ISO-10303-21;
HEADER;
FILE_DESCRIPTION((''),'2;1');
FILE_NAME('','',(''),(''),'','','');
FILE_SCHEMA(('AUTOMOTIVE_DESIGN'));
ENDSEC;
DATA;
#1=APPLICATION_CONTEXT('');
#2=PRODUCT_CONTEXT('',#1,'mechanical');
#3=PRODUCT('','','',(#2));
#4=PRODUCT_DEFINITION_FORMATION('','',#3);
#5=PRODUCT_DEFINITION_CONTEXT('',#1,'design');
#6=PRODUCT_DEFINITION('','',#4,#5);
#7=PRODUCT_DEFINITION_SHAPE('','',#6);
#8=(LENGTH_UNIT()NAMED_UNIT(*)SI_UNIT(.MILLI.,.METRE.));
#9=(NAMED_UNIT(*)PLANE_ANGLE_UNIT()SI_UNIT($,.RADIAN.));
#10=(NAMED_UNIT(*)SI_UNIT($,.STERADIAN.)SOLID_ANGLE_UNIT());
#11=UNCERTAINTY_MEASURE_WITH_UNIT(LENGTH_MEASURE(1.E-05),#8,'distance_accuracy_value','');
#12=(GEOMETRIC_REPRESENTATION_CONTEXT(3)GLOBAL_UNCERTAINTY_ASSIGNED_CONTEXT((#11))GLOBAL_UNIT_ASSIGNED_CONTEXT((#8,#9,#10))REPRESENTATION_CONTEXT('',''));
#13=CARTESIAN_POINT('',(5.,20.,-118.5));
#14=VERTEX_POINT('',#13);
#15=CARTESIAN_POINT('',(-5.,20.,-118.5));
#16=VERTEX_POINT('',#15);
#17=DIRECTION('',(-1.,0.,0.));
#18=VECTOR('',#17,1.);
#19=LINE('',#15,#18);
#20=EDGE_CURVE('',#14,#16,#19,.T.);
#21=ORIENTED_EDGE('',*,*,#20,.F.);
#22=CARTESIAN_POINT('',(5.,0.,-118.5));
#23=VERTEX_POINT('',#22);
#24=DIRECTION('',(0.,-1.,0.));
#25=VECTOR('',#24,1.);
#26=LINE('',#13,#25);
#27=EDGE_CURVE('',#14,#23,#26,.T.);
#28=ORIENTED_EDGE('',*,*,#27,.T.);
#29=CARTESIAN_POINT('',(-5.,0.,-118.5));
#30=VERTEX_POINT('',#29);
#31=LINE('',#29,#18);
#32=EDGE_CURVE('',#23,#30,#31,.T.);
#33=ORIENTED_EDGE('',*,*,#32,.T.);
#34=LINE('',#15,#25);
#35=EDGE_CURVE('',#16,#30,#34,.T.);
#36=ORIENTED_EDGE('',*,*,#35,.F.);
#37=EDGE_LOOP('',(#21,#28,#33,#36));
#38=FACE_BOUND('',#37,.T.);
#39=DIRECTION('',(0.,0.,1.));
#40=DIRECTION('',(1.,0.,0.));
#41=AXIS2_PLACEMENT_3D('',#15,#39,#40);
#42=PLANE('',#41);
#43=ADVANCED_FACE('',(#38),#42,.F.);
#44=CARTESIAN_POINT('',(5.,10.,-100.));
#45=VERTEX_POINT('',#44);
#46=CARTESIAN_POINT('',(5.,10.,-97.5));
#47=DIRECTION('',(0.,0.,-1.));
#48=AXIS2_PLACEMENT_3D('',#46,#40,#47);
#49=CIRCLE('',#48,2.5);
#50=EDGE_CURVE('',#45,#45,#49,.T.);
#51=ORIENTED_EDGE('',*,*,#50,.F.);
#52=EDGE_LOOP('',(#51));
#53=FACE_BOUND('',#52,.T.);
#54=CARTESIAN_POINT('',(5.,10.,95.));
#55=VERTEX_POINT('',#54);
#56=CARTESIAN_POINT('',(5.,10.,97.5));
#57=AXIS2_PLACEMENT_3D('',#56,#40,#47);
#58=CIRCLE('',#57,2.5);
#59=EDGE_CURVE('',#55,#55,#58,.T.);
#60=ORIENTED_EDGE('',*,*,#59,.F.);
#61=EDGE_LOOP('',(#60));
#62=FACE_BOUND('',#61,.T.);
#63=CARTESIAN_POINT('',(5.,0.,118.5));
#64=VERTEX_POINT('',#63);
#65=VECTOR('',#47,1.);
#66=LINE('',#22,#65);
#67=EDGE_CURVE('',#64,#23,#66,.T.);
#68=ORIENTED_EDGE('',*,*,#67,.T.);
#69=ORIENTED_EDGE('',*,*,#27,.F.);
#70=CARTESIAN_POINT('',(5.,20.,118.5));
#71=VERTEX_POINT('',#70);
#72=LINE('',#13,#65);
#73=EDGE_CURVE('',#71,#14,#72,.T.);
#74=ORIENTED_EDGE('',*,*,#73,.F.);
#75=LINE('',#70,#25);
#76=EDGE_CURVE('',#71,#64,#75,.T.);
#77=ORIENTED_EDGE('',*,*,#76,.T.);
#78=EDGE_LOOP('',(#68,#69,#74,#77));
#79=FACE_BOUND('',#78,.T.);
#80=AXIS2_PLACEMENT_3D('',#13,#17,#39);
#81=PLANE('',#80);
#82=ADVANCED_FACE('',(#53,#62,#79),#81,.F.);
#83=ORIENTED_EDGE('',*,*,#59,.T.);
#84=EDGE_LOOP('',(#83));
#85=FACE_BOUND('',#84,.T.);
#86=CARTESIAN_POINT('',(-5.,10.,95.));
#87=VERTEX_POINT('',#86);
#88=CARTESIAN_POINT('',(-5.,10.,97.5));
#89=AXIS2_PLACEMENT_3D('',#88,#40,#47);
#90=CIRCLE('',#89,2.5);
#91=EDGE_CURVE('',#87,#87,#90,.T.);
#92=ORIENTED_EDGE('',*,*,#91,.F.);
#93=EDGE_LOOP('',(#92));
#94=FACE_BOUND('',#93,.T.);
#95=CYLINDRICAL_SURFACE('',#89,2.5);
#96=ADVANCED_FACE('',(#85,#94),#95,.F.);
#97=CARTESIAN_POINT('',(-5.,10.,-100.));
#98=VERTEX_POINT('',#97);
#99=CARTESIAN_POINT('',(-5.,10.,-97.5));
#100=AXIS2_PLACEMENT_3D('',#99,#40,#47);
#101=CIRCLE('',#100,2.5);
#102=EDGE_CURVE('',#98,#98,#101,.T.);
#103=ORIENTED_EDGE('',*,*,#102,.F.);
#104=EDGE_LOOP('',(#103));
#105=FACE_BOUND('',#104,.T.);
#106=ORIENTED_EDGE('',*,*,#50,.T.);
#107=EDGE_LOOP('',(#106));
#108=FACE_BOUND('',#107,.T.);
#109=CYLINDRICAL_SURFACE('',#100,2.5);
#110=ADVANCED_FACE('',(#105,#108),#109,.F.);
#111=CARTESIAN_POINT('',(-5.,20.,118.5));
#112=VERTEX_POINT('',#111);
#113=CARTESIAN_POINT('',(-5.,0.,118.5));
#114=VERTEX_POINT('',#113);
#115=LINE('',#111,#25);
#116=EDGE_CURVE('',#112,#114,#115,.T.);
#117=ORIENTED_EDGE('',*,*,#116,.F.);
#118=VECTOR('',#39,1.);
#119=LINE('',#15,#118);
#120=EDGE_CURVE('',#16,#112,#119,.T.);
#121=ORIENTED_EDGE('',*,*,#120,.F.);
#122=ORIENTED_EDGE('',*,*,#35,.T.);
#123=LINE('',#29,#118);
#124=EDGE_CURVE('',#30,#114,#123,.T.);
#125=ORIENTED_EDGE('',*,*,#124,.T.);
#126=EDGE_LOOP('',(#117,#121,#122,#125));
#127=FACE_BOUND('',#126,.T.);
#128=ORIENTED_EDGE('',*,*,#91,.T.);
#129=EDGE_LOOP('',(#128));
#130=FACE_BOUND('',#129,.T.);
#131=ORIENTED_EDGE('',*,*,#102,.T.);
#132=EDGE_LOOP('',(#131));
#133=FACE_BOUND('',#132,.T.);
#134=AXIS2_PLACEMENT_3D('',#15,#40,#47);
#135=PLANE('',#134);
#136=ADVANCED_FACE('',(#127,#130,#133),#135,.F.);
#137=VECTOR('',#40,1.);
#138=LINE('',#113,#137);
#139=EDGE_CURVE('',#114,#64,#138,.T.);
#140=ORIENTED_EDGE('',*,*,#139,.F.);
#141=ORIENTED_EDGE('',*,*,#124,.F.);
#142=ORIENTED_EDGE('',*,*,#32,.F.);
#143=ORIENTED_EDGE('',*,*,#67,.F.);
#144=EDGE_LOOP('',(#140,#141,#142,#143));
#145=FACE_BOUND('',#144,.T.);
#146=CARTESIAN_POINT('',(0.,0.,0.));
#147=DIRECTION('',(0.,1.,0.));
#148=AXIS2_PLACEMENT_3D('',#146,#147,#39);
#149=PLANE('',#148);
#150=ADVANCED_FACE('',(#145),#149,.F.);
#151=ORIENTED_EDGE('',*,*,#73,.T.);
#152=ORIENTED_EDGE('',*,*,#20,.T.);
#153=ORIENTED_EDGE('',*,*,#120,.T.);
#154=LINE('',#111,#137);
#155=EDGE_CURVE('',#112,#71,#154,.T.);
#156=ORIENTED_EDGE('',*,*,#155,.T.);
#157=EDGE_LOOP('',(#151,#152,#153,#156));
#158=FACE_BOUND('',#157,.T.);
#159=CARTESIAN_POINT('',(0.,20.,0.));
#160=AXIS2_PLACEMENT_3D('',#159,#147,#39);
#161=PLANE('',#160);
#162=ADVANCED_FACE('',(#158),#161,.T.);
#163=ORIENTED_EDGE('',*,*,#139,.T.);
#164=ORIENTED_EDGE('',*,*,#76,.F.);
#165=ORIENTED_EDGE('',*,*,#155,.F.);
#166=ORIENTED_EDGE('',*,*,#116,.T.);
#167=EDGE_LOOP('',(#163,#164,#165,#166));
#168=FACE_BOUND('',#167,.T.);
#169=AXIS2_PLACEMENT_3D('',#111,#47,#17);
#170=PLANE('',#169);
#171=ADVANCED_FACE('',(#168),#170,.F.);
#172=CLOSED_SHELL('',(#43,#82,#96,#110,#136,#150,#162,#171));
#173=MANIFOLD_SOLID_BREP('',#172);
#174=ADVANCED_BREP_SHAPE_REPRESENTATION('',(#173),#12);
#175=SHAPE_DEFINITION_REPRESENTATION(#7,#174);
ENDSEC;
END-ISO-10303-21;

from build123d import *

# Parameters (mm, degrees)
SKETCH1_W           = 10
SKETCH1_H           = 237
BOSS_EXTRUDE2_DEPTH = 20
SKETCH4_R           = 2.5
CUT_EXTRUDE2_DEPTH  = 10


with BuildPart() as part:
    # Sketch1 → Boss-Extrude2 (new body)
    with BuildSketch(Plane(origin=(0, 0, 0), x_dir=(1, 0, 0), z_dir=(0, 1, 0))):
        Rectangle(SKETCH1_W, SKETCH1_H)
    extrude(amount=BOSS_EXTRUDE2_DEPTH)

    # Sketch4 → Cut-Extrude2 (cut)
    with BuildSketch(Plane(origin=(5, 0, 0), x_dir=(0, 0, -1), z_dir=(1, 0, 0))):
        with Locations((-97.5, 10)):
            Circle(SKETCH4_R)
        with Locations((97.5, 10)):
            Circle(SKETCH4_R)
    extrude(amount=-CUT_EXTRUDE2_DEPTH, mode=Mode.SUBTRACT)


solid = part.part
